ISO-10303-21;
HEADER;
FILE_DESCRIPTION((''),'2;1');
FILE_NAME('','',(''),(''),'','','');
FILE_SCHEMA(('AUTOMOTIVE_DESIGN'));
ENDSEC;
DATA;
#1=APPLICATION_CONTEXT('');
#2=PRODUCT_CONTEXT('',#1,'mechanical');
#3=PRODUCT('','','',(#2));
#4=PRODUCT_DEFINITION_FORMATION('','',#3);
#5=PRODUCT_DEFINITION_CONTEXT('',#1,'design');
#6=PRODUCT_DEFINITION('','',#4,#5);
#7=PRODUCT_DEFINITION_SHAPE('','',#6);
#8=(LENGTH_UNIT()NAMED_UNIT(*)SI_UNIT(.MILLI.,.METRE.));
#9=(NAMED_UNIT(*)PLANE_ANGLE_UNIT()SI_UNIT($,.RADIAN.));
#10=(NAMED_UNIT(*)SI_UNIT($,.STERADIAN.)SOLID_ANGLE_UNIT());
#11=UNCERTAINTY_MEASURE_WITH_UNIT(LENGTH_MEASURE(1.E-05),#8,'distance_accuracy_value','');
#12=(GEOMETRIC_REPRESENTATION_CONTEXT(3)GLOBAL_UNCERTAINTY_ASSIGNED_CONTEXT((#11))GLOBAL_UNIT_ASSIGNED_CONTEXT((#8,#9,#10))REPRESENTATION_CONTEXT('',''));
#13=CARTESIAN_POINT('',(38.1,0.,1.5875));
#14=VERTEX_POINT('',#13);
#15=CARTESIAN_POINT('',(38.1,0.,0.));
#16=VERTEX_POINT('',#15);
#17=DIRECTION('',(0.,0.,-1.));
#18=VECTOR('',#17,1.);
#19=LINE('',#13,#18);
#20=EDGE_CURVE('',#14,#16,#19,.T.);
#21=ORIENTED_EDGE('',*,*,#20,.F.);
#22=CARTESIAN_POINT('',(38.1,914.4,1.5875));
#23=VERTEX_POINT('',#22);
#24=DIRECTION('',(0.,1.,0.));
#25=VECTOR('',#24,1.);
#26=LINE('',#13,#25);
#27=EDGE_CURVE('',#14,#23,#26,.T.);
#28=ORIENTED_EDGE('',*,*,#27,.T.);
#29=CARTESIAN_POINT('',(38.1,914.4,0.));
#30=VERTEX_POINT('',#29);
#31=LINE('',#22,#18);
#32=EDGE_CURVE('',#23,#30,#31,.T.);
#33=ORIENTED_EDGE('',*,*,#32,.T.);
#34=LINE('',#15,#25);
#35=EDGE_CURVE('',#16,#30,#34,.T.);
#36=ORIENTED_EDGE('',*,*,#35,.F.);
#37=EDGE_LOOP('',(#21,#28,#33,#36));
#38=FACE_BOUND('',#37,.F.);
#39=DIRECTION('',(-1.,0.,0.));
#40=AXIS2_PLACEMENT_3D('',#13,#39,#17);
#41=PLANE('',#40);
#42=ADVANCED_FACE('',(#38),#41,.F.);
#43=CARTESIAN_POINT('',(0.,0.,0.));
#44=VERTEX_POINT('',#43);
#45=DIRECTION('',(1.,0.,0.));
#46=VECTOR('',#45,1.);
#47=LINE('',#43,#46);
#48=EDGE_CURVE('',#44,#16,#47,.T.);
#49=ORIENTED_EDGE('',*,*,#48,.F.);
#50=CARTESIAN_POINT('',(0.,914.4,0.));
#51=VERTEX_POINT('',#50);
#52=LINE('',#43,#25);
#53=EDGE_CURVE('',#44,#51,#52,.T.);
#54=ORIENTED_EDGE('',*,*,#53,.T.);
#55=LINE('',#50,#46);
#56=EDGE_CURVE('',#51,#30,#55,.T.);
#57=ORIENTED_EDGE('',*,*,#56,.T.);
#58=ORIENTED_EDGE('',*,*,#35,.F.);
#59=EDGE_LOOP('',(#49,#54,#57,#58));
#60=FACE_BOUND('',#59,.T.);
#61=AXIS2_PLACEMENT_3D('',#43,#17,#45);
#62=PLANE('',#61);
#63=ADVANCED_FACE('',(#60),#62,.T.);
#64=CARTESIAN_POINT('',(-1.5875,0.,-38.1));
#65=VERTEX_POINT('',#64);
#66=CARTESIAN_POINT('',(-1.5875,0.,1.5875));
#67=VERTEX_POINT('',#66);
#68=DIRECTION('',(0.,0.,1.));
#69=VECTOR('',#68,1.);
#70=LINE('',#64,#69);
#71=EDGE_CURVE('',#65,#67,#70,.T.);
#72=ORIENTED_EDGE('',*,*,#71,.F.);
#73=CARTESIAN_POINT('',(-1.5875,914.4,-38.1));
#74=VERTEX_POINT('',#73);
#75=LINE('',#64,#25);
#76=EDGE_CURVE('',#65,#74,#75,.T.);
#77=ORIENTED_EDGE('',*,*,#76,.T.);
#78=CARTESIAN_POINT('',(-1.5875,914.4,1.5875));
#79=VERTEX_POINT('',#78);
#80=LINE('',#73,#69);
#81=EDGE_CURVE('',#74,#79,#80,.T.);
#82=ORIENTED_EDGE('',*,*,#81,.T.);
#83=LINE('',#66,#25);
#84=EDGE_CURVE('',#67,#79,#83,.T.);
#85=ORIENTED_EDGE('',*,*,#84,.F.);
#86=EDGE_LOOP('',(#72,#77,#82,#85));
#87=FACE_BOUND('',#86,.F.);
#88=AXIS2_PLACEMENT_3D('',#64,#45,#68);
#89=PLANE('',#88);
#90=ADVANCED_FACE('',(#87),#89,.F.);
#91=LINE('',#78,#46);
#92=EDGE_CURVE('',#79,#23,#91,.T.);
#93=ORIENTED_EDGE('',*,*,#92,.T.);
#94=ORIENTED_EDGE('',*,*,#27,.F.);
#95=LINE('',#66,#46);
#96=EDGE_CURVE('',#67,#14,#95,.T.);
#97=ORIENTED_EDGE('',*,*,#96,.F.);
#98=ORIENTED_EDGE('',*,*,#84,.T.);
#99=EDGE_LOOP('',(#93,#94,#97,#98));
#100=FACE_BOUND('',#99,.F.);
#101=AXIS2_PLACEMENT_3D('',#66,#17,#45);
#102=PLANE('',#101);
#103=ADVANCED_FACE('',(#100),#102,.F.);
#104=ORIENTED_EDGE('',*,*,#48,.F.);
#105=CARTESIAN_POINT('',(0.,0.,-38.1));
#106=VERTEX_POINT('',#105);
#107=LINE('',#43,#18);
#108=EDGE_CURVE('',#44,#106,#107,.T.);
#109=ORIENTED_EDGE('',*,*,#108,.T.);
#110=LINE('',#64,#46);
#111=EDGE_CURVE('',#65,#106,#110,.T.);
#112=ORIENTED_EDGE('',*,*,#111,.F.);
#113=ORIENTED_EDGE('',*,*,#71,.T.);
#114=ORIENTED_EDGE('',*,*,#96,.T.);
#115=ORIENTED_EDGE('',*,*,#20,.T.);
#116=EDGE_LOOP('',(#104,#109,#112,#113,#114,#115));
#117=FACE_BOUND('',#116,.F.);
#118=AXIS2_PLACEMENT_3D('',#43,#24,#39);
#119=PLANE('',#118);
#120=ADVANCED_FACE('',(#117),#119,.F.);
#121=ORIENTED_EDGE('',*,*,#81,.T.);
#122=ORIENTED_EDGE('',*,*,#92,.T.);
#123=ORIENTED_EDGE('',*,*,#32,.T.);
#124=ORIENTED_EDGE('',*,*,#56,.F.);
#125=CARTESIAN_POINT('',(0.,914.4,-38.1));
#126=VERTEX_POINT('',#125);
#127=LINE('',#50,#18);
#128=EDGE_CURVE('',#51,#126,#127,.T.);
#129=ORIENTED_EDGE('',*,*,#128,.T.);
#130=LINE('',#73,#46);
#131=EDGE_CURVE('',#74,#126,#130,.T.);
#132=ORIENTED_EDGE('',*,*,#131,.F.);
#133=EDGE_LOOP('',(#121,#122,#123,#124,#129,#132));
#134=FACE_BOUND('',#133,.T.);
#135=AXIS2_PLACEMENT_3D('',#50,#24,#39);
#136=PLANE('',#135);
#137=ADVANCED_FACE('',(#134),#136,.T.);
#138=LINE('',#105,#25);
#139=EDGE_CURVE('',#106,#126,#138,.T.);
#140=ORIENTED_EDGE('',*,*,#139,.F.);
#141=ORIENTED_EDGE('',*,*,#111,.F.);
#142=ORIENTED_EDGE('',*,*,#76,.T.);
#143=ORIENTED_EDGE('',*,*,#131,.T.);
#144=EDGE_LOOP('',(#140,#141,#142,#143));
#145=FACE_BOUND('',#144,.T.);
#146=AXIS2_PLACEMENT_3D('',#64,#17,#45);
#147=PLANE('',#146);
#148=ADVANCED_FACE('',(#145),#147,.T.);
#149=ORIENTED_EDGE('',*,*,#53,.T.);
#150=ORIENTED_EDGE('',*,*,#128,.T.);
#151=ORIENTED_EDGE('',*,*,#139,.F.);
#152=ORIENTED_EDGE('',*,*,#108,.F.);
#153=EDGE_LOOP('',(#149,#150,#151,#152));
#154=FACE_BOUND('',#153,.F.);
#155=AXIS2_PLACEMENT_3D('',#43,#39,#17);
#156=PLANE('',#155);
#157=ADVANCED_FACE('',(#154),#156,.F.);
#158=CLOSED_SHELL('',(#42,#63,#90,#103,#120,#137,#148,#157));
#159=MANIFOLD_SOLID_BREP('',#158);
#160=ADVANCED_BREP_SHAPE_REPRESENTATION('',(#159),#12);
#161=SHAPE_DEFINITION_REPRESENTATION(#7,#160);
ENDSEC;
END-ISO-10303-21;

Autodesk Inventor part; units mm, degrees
ref_plane "YZ Plane" through (0, 0, 0) normal (1, 0, 0) x (0, 1, 0)
ref_plane "XZ Plane" through (0, 0, 0) normal (0, 1, 0) x (-1, 0, 0)
ref_plane "XY Plane" through (0, 0, 0) normal (0, 0, 1) x (1, 0, 0)
sketch "Sketch1" plane through (0, 0, 0) normal (0, 1, 0) x (-1, 0, 0)
  line L0 (0, 0) -> (0, -38.1)
  line L1 (0, 0) -> (-38.1, 0)
  line L2 (1.5875, -38.1) -> (1.5875, 1.5875)
  line L3 (1.5875, 1.5875) -> (-38.1, 1.5875)
  line L4 (1.5875, -38.1) -> (0, -38.1)
  line L5 (-38.1, 1.5875) -> (-38.1, 0)
  dimension "d0" = 38.1
  dimension "d1" = 38.1
  dimension "d2" = 1.5875
extrude "Extrusion1" add sketch "Sketch1" along normal blind 914.4
properties part number "36-inch-L"
